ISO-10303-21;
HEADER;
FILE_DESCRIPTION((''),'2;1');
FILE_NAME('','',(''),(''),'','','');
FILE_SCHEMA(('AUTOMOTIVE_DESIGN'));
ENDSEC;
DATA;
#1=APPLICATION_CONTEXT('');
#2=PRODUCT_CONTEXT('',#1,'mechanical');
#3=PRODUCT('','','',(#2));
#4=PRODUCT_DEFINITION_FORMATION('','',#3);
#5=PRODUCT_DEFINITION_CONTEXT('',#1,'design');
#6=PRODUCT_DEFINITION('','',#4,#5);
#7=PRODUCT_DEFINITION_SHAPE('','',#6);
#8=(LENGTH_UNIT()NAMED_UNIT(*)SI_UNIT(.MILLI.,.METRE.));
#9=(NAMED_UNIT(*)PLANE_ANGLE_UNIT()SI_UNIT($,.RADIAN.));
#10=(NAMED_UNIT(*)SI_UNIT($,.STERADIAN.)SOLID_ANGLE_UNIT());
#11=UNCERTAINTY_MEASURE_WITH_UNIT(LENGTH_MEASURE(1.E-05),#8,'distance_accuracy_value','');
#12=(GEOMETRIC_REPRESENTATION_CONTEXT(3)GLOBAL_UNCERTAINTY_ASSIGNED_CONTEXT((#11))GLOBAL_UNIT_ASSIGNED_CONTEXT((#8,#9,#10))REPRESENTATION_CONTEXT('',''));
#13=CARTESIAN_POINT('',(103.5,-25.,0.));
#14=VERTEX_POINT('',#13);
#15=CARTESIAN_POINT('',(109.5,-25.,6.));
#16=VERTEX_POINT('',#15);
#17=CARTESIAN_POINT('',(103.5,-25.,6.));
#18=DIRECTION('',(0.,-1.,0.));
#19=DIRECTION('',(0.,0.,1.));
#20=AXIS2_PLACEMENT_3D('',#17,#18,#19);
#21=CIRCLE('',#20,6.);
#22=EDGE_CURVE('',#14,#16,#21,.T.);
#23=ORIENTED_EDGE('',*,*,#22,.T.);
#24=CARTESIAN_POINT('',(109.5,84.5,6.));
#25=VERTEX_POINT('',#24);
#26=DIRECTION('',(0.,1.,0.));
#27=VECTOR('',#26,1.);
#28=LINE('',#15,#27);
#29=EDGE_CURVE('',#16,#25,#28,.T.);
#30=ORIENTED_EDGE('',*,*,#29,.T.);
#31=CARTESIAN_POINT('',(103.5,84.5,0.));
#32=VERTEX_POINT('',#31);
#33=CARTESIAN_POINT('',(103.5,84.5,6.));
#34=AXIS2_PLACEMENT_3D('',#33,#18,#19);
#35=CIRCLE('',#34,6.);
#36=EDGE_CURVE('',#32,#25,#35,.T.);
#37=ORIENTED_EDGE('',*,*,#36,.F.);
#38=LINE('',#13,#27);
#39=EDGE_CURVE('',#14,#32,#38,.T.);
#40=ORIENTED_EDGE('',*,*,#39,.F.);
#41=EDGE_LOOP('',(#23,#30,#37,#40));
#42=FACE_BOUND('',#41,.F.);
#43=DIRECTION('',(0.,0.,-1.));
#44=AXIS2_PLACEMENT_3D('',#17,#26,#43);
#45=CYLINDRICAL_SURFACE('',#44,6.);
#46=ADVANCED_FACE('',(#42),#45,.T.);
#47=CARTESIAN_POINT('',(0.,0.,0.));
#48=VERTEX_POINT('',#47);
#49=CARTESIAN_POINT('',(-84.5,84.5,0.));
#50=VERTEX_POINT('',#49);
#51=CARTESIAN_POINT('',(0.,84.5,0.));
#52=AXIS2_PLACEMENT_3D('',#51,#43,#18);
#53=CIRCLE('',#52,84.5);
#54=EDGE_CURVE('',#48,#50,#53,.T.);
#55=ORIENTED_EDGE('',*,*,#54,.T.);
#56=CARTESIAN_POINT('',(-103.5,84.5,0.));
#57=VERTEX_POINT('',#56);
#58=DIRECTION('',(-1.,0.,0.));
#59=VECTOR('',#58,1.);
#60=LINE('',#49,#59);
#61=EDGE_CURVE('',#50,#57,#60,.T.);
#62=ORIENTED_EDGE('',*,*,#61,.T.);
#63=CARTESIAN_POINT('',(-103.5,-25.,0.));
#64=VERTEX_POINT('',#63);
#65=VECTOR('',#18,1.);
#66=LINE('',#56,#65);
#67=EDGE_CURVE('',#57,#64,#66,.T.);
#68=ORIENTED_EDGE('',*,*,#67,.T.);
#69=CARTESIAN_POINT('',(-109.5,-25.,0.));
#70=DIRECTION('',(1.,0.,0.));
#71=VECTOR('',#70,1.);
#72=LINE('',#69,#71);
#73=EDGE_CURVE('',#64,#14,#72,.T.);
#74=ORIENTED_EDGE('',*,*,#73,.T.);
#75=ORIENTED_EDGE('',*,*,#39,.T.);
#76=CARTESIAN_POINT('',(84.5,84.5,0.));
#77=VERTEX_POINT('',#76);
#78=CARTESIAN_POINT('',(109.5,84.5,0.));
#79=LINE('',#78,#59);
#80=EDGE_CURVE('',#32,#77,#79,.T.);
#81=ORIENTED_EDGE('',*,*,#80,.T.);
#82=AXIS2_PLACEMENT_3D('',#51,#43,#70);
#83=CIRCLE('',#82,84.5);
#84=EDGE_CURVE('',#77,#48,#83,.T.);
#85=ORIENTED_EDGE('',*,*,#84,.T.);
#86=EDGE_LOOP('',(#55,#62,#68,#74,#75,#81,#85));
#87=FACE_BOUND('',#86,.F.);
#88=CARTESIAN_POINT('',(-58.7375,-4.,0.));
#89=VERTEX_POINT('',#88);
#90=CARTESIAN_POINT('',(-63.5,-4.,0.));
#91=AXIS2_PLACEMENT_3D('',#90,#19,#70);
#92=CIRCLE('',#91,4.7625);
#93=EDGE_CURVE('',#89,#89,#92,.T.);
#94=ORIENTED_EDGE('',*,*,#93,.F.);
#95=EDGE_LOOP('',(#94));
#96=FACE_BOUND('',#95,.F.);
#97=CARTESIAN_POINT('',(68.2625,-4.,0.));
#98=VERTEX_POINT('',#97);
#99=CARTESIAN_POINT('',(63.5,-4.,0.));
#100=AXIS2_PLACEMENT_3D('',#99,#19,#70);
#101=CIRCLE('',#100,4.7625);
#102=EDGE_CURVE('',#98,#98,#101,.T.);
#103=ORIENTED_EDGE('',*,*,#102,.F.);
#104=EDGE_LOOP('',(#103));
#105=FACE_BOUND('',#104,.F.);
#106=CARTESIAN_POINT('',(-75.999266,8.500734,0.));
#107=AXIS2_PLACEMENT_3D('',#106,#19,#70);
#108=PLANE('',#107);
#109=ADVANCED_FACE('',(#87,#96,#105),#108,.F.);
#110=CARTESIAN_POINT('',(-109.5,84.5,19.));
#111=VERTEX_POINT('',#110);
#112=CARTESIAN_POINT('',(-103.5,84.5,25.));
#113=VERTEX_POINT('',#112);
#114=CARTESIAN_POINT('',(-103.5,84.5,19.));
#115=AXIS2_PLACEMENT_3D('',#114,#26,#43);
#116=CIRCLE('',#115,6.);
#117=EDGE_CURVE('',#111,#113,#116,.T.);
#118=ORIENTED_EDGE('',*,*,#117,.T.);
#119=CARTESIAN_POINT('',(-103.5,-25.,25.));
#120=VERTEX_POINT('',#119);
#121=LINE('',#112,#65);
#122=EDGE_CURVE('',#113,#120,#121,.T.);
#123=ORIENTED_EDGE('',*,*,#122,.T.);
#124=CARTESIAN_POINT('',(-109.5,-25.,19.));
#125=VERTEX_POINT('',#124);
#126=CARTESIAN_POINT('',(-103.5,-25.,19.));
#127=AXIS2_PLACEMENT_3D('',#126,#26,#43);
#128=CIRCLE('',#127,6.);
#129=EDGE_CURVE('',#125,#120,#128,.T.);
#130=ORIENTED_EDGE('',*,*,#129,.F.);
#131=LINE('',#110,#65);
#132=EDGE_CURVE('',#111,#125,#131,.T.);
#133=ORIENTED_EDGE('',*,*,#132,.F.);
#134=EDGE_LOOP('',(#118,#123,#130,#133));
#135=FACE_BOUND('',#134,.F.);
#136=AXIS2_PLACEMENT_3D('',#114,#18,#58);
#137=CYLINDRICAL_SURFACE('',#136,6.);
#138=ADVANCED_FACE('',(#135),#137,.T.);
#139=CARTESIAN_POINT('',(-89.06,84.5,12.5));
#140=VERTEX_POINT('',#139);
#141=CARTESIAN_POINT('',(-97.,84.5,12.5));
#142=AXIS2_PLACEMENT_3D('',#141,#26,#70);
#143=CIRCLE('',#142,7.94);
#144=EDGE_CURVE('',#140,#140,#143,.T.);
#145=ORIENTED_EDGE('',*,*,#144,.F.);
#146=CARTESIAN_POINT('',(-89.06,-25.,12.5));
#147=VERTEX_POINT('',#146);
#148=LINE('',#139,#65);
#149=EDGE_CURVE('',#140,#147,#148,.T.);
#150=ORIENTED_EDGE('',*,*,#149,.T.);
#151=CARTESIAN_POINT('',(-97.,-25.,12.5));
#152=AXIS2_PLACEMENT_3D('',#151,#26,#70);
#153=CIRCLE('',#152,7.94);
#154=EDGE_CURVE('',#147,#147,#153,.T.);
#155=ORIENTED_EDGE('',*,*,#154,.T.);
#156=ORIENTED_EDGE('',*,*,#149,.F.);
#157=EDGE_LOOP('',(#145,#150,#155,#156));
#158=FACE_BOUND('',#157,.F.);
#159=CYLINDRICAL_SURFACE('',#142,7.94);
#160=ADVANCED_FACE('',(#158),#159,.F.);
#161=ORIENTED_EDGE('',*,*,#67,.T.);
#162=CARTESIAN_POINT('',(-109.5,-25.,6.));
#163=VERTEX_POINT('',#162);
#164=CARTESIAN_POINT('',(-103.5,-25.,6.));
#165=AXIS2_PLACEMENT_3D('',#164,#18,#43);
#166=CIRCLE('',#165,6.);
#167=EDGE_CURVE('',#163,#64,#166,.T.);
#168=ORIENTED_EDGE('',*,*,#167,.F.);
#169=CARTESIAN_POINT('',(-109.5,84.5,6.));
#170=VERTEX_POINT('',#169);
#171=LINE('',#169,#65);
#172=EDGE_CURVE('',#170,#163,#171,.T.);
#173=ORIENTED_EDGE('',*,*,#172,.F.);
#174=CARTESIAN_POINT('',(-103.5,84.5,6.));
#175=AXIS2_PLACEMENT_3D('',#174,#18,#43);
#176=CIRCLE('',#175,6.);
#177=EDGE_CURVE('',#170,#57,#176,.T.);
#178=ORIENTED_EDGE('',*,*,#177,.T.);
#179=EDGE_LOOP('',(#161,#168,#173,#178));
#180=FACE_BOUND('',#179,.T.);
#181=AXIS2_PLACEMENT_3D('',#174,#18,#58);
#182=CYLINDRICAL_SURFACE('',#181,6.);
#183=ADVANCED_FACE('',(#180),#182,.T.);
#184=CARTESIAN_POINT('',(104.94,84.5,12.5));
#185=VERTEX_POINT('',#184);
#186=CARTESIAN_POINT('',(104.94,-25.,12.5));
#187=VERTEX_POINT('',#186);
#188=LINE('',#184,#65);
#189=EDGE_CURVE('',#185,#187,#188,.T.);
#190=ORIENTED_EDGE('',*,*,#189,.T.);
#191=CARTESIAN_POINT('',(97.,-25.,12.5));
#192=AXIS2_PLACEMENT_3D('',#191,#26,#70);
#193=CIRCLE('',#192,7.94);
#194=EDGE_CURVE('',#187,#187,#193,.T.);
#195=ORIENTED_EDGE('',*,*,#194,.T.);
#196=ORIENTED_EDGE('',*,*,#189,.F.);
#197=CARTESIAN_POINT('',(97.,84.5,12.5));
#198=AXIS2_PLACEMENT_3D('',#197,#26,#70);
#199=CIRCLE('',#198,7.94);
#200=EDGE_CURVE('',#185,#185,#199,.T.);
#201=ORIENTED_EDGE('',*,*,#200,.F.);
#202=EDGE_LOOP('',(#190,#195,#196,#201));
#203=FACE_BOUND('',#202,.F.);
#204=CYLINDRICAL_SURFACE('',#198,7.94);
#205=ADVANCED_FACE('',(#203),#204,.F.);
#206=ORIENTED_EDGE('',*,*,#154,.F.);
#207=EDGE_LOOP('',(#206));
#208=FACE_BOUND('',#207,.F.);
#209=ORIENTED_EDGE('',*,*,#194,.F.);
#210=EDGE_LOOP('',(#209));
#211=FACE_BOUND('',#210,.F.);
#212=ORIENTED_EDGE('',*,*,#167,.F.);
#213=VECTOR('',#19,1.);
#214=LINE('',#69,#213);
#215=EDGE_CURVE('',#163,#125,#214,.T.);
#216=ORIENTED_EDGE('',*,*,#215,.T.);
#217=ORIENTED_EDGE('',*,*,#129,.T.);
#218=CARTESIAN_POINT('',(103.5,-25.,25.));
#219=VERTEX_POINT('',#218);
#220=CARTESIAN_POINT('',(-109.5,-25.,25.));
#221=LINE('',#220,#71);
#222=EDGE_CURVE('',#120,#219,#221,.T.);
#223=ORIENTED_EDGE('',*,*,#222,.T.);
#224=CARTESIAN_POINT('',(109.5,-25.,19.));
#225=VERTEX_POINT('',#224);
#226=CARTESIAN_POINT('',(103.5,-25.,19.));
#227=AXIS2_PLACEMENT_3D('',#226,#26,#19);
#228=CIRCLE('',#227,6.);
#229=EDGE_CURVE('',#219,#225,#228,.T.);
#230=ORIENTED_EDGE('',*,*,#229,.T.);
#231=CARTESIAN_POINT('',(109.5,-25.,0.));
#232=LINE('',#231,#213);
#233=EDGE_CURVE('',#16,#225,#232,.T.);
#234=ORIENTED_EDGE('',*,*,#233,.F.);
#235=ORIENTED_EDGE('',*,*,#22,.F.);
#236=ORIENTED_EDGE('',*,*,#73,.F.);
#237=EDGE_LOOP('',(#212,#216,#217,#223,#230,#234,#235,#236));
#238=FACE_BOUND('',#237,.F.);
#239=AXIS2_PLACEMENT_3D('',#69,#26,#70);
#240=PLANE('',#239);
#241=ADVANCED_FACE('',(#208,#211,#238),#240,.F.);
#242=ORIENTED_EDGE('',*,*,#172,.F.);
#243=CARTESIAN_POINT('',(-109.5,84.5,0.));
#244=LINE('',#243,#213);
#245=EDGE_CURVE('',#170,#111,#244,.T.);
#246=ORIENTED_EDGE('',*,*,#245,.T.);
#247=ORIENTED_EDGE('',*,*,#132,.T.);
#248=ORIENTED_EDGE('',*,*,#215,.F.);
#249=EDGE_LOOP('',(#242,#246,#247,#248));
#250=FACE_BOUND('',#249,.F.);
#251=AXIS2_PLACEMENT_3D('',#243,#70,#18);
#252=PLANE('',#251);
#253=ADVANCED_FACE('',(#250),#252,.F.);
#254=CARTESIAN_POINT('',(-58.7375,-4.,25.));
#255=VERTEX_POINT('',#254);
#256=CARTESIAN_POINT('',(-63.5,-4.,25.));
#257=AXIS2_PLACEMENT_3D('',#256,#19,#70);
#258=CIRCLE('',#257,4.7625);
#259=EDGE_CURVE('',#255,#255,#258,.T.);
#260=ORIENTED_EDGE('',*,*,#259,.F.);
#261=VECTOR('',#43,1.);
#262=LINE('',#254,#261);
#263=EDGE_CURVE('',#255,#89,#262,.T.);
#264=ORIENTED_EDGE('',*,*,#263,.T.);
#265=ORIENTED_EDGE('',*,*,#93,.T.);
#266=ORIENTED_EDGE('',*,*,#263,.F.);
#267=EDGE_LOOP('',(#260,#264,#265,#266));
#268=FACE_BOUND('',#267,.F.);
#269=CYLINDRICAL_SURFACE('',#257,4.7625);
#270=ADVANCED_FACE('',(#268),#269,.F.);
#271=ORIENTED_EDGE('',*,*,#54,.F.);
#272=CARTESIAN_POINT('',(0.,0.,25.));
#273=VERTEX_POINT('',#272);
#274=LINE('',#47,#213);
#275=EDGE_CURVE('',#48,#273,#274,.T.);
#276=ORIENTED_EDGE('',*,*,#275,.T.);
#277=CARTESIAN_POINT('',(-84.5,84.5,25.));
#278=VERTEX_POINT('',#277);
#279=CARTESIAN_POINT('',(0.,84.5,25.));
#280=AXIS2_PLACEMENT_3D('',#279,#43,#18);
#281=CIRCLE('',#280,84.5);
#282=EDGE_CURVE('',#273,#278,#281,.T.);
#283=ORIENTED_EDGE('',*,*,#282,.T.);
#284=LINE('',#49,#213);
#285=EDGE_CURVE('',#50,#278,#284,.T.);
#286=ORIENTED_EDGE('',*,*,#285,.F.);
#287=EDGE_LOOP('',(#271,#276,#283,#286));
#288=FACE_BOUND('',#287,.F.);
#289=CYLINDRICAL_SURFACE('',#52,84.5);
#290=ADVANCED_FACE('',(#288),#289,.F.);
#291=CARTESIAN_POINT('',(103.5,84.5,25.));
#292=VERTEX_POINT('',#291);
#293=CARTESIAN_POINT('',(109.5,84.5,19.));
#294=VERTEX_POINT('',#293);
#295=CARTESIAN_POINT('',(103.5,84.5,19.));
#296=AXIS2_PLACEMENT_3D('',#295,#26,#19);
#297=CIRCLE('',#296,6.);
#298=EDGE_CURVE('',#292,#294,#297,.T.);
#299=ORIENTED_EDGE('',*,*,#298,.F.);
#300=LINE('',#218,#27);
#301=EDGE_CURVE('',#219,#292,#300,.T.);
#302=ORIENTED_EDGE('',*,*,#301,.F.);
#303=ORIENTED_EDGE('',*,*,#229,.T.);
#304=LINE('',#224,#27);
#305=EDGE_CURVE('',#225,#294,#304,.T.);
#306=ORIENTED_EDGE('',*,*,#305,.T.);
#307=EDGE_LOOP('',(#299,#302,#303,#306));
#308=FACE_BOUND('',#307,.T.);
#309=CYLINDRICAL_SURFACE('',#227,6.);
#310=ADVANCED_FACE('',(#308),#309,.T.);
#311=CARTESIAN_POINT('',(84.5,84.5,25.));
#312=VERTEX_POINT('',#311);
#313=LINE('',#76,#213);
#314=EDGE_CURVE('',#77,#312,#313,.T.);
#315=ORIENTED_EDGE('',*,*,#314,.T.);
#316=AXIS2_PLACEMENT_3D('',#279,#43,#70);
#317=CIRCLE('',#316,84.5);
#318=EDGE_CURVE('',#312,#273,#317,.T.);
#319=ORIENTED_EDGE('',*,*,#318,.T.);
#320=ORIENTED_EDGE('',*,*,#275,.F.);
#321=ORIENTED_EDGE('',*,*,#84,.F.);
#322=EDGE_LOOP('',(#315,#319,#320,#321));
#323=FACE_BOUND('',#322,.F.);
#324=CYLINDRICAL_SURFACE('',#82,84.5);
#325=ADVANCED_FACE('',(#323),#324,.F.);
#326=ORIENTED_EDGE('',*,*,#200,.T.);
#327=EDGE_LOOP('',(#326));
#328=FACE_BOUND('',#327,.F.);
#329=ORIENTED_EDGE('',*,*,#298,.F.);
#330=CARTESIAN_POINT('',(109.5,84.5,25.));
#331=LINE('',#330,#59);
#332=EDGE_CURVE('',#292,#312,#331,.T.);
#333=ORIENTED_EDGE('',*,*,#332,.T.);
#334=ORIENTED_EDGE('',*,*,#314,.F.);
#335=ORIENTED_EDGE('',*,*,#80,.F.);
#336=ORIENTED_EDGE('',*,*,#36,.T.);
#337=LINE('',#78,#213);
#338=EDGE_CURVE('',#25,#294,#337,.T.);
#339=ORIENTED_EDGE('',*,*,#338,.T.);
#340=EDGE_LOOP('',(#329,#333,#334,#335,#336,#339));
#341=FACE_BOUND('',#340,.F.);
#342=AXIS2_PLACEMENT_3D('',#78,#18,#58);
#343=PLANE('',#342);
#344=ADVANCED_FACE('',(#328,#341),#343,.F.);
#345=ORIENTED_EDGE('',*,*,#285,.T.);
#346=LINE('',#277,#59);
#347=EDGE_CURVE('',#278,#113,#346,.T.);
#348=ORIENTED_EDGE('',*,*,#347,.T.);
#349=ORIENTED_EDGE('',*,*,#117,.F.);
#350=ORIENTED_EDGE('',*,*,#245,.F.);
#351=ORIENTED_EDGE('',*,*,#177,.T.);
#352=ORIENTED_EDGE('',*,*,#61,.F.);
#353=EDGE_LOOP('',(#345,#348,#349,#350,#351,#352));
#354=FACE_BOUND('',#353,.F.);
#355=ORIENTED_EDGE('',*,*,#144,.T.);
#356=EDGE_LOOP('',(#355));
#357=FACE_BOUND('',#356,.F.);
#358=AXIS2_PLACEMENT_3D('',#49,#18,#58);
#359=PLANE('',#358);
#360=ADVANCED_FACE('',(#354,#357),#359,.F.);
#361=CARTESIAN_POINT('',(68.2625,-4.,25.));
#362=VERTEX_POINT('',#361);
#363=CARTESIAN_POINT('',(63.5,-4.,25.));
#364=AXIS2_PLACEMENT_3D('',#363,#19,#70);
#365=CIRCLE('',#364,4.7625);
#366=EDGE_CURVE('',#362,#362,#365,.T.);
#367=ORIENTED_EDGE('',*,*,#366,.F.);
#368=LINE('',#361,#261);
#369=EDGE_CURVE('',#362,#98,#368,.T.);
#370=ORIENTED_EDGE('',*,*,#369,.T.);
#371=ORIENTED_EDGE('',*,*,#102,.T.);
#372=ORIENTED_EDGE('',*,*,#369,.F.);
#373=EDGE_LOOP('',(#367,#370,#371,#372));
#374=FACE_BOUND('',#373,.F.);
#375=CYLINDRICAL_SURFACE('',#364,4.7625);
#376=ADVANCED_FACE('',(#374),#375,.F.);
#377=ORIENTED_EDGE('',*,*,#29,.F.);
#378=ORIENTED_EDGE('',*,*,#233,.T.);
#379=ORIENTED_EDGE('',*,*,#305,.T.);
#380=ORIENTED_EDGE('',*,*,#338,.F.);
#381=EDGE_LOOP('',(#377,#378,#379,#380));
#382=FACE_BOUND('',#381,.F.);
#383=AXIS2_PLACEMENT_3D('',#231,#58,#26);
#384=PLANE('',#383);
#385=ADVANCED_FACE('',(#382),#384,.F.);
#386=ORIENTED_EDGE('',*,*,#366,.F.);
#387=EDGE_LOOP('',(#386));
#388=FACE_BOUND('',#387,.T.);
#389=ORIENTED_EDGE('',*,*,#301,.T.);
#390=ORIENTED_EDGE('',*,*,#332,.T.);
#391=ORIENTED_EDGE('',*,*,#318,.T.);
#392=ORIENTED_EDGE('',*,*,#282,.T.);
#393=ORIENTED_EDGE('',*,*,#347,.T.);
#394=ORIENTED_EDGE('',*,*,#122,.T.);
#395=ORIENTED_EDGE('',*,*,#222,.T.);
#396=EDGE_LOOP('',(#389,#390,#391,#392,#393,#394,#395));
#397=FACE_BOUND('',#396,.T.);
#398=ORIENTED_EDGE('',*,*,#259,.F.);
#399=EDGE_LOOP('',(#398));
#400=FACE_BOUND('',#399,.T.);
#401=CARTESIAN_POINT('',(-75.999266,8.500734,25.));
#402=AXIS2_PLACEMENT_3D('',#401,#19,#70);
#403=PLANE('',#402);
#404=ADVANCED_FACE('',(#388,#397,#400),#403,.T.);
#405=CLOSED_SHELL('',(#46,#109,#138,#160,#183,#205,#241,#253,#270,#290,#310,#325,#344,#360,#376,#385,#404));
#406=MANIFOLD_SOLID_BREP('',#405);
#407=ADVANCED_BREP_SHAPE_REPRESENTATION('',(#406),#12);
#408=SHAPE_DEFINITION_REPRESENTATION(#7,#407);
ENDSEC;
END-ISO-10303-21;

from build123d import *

# Parameters (mm, degrees)
BOSS_EXTRUDE1_DEPTH = 25
SKETCH5_R           = 7.94
CUT_EXTRUDE1_DEPTH  = 5000
SKETCH6_R           = 4.7625
CUT_EXTRUDE2_DEPTH  = 5000
FILLET2_R           = 6


with BuildPart() as part:
    # Sketch4 → Boss-Extrude1 (new body)
    with BuildSketch(Plane.XY):
        with BuildLine():
            ThreePointArc((0, -25), (-77.42819254, 7.07180746), (-109.5, 84.5))
            Line((-109.5, 84.5), (-109.5, -25))
            Line((-109.5, -25), (0, -25))
        make_face()
        with BuildLine():
            ThreePointArc((84.5, 84.5), (59.75052301, 24.74947699), (0, 0))
            ThreePointArc((0, 0), (-59.75052301, 24.74947699), (-84.5, 84.5))
            Line((-84.5, 84.5), (-109.5, 84.5))
            ThreePointArc((-109.5, 84.5), (-77.42819254, 7.07180746), (0, -25))
            ThreePointArc((0, -25), (77.42819254, 7.07180746), (109.5, 84.5))
            Line((109.5, 84.5), (84.5, 84.5))
        make_face()
        with BuildLine():
            Line((109.5, -25), (109.5, 84.5))
            ThreePointArc((109.5, 84.5), (77.42819254, 7.07180746), (0, -25))
            Line((0, -25), (109.5, -25))
        make_face()
    extrude(amount=BOSS_EXTRUDE1_DEPTH)

    # Sketch5 → Cut-Extrude1 (cut)
    with BuildSketch(Plane(origin=(0, 84.5, 0), x_dir=(1, 0, 0), z_dir=(0, 1, 0))):
        with Locations((-97, -12.5)):
            Circle(SKETCH5_R)
        with Locations((97, -12.5)):
            Circle(SKETCH5_R)
    extrude(amount=-CUT_EXTRUDE1_DEPTH, mode=Mode.SUBTRACT)

    # Sketch6 → Cut-Extrude2 (cut)
    with BuildSketch(Plane.XY.offset(25)):
        with Locations((-63.5, -4)):
            Circle(SKETCH6_R)
        with Locations((63.5, -4)):
            Circle(SKETCH6_R)
    extrude(amount=-CUT_EXTRUDE2_DEPTH, mode=Mode.SUBTRACT)

    # Fillet2
    fillet2_edges = [part.edges().sort_by_distance(p)[0] for p in [
        (109.5, 29.75, 25),
        (-109.5, 29.75, 25),
        (-109.5, 29.75, 0),
        (109.5, 29.75, 0),
    ]]
    fillet(fillet2_edges, radius=FILLET2_R)


solid = part.part
